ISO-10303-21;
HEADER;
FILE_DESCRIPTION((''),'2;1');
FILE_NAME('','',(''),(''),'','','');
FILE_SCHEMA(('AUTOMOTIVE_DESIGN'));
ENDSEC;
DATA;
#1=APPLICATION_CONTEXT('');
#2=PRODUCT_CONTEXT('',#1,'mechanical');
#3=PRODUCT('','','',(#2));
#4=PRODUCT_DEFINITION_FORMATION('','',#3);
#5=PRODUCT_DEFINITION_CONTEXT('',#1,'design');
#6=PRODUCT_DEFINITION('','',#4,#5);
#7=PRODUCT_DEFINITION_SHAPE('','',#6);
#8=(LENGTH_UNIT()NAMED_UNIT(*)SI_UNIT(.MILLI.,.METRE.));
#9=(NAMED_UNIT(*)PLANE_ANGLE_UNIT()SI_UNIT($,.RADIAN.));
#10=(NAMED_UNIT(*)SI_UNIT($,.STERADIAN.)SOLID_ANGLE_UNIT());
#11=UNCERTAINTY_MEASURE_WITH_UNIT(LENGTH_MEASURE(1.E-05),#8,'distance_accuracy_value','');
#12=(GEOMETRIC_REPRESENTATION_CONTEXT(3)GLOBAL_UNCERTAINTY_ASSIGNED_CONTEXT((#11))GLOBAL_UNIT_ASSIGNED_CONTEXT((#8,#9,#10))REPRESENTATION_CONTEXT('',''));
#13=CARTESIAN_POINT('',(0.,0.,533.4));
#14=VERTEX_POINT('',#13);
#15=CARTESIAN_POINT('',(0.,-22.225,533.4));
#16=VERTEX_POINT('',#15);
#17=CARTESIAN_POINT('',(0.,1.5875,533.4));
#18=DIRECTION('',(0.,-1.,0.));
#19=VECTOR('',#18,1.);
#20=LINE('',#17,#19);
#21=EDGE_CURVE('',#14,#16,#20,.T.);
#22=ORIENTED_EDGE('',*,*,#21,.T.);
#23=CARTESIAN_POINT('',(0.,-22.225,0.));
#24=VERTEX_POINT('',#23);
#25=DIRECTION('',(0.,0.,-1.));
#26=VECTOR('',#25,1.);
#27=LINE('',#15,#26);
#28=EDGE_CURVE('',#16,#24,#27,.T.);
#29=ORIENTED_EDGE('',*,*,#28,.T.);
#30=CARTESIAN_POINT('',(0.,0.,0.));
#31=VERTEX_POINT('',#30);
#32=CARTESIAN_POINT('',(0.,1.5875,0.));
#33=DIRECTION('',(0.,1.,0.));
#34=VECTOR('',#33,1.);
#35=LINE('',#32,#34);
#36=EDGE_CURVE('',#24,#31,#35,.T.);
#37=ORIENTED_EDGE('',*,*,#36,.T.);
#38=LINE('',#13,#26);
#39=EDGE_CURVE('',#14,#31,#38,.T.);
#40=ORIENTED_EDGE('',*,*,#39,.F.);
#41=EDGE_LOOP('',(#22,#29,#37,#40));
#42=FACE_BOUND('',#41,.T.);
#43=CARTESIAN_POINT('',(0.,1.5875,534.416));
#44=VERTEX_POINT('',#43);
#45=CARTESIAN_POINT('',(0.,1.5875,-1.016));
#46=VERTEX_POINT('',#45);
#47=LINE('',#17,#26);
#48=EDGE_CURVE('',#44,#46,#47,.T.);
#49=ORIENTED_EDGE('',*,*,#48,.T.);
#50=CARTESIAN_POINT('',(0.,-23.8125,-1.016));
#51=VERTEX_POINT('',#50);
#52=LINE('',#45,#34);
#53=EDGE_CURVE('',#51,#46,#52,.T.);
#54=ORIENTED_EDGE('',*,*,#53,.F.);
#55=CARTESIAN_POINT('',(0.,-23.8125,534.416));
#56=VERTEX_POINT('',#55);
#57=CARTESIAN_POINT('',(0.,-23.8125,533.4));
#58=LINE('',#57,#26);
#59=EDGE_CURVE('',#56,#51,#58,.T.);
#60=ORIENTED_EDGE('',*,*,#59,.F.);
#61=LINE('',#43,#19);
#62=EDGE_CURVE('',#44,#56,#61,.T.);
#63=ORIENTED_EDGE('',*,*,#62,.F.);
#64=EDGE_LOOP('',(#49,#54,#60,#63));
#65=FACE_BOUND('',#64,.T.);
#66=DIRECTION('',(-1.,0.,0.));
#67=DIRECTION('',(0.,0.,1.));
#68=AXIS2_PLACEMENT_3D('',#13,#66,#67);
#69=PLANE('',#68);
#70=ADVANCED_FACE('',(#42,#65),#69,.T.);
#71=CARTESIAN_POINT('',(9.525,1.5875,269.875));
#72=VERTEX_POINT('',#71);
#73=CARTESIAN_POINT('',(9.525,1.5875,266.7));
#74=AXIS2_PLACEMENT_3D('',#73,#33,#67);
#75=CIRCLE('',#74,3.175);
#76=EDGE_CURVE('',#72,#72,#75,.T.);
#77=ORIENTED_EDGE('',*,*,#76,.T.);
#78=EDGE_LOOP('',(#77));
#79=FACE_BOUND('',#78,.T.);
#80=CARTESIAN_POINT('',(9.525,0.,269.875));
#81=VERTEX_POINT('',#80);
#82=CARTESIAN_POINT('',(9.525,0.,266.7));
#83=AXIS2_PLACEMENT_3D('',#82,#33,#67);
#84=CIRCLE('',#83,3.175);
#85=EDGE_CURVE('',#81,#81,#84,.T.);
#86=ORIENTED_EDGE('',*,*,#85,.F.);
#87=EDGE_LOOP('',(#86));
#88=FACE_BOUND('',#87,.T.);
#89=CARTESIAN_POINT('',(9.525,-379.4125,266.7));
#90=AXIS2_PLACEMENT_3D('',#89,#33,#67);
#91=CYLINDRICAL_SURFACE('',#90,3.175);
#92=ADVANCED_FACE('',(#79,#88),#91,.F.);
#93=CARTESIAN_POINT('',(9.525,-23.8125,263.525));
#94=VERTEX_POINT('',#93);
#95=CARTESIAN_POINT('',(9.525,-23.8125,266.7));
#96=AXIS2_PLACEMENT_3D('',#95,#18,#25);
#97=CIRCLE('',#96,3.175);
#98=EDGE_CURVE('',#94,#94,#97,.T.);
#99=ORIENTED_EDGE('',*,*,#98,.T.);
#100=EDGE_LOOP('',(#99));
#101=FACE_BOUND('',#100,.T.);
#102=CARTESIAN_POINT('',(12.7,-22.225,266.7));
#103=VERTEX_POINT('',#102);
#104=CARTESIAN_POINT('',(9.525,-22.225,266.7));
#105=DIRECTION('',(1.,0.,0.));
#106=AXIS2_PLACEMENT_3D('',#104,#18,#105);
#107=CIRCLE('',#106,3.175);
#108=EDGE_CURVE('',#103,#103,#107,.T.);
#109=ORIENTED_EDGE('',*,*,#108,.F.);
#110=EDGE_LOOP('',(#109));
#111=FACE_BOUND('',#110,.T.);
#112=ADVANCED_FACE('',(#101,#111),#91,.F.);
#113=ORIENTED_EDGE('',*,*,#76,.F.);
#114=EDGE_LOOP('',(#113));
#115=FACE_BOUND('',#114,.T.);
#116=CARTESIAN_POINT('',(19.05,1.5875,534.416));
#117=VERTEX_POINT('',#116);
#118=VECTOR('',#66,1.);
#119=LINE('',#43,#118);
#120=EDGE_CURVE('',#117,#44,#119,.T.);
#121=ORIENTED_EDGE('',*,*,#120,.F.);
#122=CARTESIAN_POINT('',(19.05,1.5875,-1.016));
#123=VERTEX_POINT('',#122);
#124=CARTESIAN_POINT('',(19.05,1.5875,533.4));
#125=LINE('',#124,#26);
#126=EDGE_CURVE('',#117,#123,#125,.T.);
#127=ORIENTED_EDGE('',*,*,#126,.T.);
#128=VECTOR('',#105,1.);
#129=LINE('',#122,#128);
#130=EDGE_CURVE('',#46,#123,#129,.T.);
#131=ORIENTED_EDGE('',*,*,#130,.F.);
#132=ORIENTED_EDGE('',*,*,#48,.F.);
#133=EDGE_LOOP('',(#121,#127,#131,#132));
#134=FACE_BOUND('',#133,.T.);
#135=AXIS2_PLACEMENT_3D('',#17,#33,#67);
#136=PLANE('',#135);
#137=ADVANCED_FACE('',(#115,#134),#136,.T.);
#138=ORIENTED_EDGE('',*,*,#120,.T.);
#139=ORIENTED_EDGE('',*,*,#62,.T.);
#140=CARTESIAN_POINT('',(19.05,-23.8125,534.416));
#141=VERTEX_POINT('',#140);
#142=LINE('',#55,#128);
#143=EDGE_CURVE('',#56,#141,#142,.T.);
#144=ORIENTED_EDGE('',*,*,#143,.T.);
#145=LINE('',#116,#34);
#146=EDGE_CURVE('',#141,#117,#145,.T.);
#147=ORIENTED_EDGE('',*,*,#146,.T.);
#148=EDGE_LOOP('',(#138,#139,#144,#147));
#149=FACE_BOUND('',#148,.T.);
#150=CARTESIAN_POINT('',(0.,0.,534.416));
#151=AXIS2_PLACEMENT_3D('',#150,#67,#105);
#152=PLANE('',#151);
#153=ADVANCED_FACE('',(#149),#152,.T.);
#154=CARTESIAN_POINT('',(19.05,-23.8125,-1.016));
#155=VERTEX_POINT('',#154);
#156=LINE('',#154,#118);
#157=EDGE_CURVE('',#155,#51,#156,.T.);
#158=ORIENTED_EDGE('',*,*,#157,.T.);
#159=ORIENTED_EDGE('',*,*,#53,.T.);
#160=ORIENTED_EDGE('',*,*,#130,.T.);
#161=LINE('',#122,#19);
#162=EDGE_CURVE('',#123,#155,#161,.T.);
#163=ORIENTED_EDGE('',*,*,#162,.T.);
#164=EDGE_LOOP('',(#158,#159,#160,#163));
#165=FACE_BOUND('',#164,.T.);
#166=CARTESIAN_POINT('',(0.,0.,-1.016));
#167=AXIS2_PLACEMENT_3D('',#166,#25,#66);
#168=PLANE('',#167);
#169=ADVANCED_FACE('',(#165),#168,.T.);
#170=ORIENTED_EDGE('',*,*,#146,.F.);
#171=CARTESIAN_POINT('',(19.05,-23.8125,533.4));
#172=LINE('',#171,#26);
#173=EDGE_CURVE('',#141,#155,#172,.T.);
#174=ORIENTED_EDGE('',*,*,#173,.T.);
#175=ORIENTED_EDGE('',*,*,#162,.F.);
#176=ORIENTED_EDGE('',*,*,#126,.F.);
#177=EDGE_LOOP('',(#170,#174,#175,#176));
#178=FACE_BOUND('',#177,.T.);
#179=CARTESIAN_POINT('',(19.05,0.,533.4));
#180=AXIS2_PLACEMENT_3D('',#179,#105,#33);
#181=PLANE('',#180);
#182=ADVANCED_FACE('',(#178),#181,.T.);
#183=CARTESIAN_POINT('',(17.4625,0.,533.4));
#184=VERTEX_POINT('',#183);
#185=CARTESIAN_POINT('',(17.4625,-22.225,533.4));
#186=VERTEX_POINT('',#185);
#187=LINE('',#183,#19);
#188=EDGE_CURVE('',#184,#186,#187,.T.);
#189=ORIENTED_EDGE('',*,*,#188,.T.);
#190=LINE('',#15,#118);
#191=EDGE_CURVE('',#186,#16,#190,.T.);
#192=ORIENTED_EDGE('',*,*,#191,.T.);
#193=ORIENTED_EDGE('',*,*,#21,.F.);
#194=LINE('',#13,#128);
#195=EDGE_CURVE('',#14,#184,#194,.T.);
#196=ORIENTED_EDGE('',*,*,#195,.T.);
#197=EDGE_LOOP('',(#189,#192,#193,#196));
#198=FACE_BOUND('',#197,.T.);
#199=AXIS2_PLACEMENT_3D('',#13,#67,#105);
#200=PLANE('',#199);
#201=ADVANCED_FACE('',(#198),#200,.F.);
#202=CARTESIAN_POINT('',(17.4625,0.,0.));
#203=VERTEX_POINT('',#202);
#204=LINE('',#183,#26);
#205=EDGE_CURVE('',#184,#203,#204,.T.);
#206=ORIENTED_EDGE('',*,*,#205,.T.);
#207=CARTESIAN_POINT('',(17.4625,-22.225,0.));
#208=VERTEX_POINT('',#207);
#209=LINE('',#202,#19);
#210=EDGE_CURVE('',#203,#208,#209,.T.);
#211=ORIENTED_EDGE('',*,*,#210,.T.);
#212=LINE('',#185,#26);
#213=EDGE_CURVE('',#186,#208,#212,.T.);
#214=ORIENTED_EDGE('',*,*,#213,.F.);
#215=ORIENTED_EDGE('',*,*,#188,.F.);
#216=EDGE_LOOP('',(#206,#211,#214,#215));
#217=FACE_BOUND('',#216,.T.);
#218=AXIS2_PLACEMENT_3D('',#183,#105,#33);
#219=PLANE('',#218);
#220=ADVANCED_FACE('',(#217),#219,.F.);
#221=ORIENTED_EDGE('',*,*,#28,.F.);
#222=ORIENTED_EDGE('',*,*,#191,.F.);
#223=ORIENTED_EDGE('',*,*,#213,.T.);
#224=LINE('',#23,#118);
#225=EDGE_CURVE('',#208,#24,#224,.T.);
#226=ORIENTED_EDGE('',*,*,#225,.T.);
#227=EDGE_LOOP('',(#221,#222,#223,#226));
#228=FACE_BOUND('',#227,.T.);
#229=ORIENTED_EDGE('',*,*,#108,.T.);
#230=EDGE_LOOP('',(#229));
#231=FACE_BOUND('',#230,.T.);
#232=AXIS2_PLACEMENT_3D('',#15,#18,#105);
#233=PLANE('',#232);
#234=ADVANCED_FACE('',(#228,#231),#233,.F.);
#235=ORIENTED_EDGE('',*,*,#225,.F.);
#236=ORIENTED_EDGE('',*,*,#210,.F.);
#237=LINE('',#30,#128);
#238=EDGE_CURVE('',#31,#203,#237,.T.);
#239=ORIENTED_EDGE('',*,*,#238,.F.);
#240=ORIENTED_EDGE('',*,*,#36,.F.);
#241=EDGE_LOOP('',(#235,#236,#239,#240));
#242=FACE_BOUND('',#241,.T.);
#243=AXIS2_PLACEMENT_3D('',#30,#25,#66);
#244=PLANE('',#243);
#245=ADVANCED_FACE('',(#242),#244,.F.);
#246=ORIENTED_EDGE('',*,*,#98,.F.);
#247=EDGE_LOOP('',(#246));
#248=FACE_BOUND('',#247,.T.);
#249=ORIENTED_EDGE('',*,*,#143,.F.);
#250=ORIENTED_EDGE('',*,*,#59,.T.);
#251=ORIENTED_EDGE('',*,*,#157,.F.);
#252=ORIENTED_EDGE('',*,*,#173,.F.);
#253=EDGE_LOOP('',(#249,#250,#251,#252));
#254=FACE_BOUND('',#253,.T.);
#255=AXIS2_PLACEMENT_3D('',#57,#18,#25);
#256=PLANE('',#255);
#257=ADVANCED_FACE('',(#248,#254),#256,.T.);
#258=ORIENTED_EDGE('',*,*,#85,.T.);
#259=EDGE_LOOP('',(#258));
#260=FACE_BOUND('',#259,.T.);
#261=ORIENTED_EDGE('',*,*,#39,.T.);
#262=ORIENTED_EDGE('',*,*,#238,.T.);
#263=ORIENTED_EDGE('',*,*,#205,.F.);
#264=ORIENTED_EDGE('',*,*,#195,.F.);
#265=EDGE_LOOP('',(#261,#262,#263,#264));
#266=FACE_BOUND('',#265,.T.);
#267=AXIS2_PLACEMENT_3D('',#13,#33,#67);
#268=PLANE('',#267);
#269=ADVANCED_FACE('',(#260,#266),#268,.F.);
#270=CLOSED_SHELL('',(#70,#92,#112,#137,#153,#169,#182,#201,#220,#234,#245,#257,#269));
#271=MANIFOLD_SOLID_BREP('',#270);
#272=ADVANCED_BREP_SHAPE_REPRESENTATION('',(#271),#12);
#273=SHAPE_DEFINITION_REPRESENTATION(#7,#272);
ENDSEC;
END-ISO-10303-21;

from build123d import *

# Parameters (mm, degrees)
BOSS_EXTRUDE1_DEPTH = 533.4
SKETCH2_R           = 3.175
CUT_EXTRUDE1_DEPTH  = 381
SKETCH4_W           = 19.05
SKETCH4_H           = 25.4
BOSS_EXTRUDE3_DEPTH = 1.016
SKETCH5_W           = 19.05
SKETCH5_H           = 25.4
BOSS_EXTRUDE4_DEPTH = 1.016


with BuildPart() as part:
    # Sketch1 → Boss-Extrude1 (new body)
    with BuildSketch(Plane.XY):
        Polygon((0, 0), (17.4625, 0), (17.4625, -22.225), (0, -22.225), (0, -23.8125), (12.7, -23.8125), (19.05, -23.8125), (19.05, 0), (19.05, 1.5875), (0, 1.5875), align=None)
    extrude(amount=BOSS_EXTRUDE1_DEPTH)

    # Sketch2 → Cut-Extrude1 (cut)
    with BuildSketch(Plane(origin=(0, 1.5875, 0), x_dir=(1, 0, 0), z_dir=(0, 1, 0))):
        with Locations((9.525, -266.7)):
            Circle(SKETCH2_R)
    extrude(amount=-CUT_EXTRUDE1_DEPTH, mode=Mode.SUBTRACT)

    # Sketch4 → Boss-Extrude3 (add)
    with BuildSketch(Plane(origin=(0, 0, 0), x_dir=(-1, 0, 0), z_dir=(0, 0, -1))):
        with Locations((-9.525, -11.1125)):
            Rectangle(SKETCH4_W, SKETCH4_H)
    extrude(amount=BOSS_EXTRUDE3_DEPTH)

    # Sketch5 → Boss-Extrude4 (add)
    with BuildSketch(Plane.XY.offset(533.4)):
        with Locations((9.525, -11.1125)):
            Rectangle(SKETCH5_W, SKETCH5_H)
    extrude(amount=BOSS_EXTRUDE4_DEPTH)


solid = part.part
